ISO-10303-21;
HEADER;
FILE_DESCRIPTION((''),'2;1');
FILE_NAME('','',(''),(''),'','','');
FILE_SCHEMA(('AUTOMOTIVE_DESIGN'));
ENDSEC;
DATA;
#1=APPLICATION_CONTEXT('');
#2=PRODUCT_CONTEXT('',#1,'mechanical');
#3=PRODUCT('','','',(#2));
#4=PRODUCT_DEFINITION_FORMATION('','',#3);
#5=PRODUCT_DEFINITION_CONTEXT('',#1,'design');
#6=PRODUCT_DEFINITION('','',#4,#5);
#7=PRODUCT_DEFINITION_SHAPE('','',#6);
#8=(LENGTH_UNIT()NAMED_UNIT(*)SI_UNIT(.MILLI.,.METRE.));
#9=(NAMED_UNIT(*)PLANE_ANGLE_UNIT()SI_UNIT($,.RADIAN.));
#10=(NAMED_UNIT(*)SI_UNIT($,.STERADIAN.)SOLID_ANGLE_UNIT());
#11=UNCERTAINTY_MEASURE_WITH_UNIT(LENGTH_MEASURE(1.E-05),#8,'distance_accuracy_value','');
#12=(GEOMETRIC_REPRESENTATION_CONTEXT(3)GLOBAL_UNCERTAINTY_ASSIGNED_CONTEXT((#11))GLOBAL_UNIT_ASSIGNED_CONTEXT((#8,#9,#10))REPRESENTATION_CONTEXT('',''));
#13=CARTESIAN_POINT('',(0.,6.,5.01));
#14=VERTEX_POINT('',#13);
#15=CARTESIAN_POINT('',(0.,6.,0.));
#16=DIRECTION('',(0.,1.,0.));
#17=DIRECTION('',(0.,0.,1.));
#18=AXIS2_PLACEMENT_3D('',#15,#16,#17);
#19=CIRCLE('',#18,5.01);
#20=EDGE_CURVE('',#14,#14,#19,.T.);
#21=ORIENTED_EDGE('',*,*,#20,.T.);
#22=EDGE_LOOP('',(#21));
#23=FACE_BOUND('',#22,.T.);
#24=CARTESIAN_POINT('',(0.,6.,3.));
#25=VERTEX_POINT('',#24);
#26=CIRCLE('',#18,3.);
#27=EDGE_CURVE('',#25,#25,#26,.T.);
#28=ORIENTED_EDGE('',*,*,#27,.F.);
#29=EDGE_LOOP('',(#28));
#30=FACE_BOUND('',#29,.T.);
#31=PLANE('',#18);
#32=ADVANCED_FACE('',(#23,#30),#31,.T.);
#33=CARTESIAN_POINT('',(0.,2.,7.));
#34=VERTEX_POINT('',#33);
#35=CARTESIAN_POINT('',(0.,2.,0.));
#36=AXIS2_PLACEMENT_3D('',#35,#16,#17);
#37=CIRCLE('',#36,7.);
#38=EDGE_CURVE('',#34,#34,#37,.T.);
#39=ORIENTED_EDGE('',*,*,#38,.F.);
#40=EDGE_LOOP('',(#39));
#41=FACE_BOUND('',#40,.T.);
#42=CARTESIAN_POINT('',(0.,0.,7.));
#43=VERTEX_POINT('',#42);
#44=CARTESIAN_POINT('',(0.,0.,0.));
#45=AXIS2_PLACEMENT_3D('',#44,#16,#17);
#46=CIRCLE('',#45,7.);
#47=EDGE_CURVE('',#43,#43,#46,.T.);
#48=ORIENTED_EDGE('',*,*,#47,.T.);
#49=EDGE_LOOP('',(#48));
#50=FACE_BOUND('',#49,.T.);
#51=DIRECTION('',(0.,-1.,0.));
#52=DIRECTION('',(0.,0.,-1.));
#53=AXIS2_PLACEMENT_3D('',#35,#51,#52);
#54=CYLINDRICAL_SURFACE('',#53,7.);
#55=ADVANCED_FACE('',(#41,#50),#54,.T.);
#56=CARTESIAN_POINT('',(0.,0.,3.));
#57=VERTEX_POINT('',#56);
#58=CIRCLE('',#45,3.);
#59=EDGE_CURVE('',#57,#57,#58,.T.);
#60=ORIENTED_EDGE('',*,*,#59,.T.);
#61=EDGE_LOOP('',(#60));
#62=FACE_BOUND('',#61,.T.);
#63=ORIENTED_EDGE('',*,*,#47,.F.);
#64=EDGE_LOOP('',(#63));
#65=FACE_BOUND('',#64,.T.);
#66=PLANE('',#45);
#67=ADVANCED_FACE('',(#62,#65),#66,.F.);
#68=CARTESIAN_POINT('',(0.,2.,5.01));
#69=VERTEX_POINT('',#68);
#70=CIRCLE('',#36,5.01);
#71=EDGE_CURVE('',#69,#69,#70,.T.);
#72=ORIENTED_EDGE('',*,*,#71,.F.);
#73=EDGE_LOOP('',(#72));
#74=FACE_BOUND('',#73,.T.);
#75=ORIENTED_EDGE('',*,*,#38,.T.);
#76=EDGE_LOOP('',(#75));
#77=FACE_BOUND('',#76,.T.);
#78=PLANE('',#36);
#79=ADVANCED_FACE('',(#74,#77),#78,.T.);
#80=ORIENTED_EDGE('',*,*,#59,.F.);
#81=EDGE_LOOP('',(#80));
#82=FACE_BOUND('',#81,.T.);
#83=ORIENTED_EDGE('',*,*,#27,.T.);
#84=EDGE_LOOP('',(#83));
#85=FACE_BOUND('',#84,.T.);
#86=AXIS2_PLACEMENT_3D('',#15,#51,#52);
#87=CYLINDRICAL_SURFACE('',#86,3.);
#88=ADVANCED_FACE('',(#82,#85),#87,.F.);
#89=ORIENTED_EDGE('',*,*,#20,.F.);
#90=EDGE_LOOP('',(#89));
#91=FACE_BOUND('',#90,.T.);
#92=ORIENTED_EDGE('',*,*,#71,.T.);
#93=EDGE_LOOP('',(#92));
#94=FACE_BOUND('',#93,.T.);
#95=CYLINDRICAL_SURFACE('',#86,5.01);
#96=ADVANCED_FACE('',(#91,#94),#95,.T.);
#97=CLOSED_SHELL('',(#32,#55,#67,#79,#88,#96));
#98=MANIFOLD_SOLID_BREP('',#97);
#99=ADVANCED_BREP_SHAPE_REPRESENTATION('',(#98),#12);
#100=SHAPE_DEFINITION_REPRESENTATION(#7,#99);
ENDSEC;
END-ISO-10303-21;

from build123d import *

# Parameters (mm, degrees)
SKETCH2_R           = 5.01
SKETCH2_R_2         = 3
BOSS_EXTRUDE1_DEPTH = 6
SKETCH3_R           = 7
SKETCH3_R_2         = 5.01
BOSS_EXTRUDE2_DEPTH = 2


with BuildPart() as part:
    # Sketch2 → Boss-Extrude1 (new body)
    with BuildSketch(Plane(origin=(0, 0, 0), x_dir=(1, 0, 0), z_dir=(0, 1, 0))):
        Circle(SKETCH2_R)
        Circle(SKETCH2_R_2, mode=Mode.SUBTRACT)
    extrude(amount=BOSS_EXTRUDE1_DEPTH)

    # Sketch3 → Boss-Extrude2 (add)
    with BuildSketch(Plane(origin=(0, 0, 0), x_dir=(1, 0, 0), z_dir=(0, 1, 0))):
        Circle(SKETCH3_R)
        Circle(SKETCH3_R_2, mode=Mode.SUBTRACT)
    extrude(amount=BOSS_EXTRUDE2_DEPTH)


solid = part.part
